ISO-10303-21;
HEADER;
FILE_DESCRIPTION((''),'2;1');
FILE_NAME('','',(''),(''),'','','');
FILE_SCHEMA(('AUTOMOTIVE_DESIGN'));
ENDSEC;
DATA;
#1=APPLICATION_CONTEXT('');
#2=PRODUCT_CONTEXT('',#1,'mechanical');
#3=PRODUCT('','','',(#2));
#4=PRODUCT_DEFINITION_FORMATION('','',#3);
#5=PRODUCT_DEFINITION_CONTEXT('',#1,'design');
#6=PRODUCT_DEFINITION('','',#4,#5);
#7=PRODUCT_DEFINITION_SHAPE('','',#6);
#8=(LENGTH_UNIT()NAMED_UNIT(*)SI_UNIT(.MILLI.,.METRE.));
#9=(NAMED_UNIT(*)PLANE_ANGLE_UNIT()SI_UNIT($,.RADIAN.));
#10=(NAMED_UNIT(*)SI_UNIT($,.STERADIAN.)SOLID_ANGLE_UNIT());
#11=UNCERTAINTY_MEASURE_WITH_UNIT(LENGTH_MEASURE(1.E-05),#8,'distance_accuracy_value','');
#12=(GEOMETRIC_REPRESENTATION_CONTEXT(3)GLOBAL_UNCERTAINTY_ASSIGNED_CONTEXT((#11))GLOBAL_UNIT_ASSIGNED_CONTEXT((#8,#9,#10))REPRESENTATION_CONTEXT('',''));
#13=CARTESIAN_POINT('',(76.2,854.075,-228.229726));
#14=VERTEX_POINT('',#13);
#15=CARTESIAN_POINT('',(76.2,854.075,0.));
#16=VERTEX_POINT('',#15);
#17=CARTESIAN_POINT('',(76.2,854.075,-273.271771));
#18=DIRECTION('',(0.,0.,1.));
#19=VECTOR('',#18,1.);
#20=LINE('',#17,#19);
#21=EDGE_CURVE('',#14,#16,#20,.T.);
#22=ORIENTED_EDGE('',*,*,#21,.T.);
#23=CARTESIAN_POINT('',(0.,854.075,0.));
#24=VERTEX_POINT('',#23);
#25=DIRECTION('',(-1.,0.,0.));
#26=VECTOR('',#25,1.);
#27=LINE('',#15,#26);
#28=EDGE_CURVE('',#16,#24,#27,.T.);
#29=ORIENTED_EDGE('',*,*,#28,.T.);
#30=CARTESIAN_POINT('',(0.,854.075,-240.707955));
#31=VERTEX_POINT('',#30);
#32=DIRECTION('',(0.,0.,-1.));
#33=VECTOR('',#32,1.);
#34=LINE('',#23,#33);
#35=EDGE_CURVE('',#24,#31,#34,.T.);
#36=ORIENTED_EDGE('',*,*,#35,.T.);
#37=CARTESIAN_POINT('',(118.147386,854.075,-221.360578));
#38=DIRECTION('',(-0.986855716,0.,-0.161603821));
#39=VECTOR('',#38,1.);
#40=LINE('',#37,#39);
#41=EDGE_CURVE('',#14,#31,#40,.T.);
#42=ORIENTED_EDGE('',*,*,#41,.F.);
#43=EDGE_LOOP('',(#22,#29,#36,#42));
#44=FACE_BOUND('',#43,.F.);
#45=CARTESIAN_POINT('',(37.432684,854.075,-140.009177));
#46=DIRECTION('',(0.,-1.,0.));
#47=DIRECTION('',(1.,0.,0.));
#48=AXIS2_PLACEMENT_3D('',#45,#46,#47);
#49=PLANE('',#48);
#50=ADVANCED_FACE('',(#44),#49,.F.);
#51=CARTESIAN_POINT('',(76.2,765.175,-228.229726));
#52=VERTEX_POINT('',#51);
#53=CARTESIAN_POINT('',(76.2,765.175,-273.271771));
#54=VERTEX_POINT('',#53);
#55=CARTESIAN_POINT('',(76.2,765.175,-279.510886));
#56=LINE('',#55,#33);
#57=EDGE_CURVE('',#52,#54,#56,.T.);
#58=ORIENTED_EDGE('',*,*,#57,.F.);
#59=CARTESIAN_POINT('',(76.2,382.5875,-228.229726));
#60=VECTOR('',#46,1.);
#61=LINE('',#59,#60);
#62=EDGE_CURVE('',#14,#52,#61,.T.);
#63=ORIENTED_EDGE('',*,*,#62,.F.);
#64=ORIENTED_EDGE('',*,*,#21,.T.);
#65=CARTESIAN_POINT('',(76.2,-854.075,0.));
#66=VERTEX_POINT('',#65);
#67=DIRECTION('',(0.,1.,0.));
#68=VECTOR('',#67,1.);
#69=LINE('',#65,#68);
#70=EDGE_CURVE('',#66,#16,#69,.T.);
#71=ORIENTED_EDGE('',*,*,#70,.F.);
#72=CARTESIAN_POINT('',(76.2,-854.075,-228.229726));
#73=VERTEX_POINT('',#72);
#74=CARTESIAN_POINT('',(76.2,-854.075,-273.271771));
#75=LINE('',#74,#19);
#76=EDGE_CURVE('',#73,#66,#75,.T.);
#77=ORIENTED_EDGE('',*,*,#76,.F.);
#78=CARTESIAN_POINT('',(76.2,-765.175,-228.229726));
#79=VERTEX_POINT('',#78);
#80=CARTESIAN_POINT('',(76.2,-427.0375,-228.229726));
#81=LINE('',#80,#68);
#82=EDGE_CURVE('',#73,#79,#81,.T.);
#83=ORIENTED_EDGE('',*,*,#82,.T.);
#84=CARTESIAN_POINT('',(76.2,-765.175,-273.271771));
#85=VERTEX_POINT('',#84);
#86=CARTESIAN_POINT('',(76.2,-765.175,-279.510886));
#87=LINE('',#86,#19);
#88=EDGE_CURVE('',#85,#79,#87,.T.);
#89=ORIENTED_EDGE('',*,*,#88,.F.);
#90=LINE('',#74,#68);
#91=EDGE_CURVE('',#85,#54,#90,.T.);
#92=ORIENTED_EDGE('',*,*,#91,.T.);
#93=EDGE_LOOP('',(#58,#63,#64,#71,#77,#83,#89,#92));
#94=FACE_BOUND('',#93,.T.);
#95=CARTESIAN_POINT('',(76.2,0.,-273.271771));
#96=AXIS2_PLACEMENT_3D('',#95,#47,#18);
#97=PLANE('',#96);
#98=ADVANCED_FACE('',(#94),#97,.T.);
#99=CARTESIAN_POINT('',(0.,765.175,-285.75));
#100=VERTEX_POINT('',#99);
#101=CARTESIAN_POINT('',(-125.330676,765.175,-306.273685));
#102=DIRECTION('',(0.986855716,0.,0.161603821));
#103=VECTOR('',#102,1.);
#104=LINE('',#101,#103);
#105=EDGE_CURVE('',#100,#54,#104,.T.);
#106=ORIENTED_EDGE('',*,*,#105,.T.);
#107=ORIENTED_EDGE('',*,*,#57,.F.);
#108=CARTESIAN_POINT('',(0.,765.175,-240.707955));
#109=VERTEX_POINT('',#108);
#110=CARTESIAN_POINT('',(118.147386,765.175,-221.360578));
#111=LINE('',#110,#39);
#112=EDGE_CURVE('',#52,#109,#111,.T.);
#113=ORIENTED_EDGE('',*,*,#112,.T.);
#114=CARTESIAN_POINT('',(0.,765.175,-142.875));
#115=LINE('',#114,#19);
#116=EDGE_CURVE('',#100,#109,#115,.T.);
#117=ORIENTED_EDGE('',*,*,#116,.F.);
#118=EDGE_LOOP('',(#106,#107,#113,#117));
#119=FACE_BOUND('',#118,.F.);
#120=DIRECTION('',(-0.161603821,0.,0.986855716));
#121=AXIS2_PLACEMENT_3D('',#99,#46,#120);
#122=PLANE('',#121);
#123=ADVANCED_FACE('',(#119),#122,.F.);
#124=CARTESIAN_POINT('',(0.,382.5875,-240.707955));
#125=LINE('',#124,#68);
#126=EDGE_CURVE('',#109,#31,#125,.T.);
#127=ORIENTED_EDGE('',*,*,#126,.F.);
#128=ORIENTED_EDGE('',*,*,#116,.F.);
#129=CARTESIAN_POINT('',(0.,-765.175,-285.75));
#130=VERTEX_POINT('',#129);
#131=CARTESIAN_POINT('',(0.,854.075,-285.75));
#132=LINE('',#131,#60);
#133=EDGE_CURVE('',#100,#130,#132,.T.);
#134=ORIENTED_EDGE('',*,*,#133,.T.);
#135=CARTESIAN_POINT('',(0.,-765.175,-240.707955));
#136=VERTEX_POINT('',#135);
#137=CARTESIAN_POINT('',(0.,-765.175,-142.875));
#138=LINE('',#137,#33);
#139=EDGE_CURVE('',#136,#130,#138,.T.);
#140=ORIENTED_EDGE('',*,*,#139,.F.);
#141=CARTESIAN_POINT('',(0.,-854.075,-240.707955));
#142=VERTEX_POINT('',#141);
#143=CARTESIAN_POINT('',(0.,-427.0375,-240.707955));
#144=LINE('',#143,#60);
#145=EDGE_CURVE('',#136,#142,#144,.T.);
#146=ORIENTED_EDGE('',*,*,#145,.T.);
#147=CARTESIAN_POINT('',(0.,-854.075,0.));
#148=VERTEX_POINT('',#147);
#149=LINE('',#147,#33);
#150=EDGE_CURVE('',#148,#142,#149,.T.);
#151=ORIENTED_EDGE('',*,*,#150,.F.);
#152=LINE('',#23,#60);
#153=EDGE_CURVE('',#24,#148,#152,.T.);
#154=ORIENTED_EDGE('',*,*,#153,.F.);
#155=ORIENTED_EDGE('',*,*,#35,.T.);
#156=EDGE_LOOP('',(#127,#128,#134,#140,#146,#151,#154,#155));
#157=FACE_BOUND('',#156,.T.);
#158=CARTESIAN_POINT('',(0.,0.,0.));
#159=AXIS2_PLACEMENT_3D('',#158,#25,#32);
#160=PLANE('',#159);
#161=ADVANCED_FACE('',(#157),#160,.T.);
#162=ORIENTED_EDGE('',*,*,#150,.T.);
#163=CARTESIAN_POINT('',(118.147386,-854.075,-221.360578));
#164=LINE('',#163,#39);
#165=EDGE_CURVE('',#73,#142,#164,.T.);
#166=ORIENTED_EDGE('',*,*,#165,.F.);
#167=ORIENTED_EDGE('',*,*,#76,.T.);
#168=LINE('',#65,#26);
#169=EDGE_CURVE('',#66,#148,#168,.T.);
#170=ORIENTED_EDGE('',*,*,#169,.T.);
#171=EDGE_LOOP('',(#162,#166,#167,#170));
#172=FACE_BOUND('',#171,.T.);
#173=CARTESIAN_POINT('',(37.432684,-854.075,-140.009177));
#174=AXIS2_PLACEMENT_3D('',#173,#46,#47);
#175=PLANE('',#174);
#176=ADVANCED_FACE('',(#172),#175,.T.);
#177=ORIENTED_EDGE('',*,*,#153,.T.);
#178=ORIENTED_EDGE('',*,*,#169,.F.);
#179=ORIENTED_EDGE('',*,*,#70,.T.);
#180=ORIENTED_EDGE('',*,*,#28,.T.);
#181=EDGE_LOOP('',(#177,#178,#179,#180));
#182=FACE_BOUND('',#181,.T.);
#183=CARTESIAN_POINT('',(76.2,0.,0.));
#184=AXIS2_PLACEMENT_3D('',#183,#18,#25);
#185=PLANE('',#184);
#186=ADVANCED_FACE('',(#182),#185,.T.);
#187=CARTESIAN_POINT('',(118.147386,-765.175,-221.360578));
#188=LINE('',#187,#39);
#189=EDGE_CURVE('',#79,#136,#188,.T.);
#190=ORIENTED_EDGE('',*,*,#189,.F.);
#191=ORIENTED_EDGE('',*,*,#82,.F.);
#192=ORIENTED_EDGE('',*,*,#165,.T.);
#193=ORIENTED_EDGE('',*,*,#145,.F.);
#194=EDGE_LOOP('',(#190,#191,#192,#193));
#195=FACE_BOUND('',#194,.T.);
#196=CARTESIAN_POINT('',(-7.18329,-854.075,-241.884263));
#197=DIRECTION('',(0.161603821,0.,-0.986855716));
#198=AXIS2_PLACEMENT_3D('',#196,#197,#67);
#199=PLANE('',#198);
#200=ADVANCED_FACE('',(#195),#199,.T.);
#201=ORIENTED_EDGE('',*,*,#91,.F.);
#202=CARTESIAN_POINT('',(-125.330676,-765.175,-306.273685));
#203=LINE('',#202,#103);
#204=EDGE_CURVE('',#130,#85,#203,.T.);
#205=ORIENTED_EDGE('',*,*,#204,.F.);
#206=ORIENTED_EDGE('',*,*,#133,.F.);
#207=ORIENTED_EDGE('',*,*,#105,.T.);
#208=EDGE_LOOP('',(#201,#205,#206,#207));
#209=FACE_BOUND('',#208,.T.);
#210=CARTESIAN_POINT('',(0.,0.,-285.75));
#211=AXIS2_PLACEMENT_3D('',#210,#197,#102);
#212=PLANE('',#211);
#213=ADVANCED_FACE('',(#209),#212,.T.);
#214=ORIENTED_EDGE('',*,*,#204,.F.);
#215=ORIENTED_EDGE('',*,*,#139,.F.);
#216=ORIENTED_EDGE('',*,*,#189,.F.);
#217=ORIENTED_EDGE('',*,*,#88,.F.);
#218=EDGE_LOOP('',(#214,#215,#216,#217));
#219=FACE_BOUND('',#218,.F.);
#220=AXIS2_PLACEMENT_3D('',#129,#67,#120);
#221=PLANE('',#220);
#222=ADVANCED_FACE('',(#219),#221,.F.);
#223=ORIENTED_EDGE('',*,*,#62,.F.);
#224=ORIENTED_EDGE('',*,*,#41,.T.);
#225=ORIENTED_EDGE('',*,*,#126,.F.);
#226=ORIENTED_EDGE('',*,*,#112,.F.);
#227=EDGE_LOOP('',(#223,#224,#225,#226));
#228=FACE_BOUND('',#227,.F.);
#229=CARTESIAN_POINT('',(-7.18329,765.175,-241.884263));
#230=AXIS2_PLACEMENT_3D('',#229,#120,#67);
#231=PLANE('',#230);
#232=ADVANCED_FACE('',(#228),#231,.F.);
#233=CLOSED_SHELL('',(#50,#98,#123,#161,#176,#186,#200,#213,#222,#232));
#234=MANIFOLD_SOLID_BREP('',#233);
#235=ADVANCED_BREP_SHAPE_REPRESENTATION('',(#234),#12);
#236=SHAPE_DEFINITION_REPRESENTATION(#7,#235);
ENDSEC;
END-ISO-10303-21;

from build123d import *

# Parameters (mm, degrees)
F1_DEPTH = 854.075
F3_W     = 88.9
F3_H     = 44.45
F4_DEPTH = 127


with BuildPart() as f1:
    # F0 (on Front) → F1 (new body, symmetric)
    with BuildSketch(Plane.XZ):
        Polygon((76.2, 0), (0, 0), (0, -285.75), (76.2, -273.2717714572), align=None)
    extrude(amount=F1_DEPTH, both=True)

    # F3 (on face) → F4 (cut, symmetric)
    with BuildSketch(Plane(origin=(-45.571311316, 0, -7.4625884199), x_dir=(0, 1, 0), z_dir=(0.9868557164, 0, 0.1616038211))):
        with Locations((809.625, -259.7690209632)):
            Rectangle(F3_W, F3_H)
        with Locations((-809.625, -259.7690209632)):
            Rectangle(F3_W, F3_H)
    extrude(amount=F4_DEPTH, both=True, mode=Mode.SUBTRACT)


solid = f1.part
